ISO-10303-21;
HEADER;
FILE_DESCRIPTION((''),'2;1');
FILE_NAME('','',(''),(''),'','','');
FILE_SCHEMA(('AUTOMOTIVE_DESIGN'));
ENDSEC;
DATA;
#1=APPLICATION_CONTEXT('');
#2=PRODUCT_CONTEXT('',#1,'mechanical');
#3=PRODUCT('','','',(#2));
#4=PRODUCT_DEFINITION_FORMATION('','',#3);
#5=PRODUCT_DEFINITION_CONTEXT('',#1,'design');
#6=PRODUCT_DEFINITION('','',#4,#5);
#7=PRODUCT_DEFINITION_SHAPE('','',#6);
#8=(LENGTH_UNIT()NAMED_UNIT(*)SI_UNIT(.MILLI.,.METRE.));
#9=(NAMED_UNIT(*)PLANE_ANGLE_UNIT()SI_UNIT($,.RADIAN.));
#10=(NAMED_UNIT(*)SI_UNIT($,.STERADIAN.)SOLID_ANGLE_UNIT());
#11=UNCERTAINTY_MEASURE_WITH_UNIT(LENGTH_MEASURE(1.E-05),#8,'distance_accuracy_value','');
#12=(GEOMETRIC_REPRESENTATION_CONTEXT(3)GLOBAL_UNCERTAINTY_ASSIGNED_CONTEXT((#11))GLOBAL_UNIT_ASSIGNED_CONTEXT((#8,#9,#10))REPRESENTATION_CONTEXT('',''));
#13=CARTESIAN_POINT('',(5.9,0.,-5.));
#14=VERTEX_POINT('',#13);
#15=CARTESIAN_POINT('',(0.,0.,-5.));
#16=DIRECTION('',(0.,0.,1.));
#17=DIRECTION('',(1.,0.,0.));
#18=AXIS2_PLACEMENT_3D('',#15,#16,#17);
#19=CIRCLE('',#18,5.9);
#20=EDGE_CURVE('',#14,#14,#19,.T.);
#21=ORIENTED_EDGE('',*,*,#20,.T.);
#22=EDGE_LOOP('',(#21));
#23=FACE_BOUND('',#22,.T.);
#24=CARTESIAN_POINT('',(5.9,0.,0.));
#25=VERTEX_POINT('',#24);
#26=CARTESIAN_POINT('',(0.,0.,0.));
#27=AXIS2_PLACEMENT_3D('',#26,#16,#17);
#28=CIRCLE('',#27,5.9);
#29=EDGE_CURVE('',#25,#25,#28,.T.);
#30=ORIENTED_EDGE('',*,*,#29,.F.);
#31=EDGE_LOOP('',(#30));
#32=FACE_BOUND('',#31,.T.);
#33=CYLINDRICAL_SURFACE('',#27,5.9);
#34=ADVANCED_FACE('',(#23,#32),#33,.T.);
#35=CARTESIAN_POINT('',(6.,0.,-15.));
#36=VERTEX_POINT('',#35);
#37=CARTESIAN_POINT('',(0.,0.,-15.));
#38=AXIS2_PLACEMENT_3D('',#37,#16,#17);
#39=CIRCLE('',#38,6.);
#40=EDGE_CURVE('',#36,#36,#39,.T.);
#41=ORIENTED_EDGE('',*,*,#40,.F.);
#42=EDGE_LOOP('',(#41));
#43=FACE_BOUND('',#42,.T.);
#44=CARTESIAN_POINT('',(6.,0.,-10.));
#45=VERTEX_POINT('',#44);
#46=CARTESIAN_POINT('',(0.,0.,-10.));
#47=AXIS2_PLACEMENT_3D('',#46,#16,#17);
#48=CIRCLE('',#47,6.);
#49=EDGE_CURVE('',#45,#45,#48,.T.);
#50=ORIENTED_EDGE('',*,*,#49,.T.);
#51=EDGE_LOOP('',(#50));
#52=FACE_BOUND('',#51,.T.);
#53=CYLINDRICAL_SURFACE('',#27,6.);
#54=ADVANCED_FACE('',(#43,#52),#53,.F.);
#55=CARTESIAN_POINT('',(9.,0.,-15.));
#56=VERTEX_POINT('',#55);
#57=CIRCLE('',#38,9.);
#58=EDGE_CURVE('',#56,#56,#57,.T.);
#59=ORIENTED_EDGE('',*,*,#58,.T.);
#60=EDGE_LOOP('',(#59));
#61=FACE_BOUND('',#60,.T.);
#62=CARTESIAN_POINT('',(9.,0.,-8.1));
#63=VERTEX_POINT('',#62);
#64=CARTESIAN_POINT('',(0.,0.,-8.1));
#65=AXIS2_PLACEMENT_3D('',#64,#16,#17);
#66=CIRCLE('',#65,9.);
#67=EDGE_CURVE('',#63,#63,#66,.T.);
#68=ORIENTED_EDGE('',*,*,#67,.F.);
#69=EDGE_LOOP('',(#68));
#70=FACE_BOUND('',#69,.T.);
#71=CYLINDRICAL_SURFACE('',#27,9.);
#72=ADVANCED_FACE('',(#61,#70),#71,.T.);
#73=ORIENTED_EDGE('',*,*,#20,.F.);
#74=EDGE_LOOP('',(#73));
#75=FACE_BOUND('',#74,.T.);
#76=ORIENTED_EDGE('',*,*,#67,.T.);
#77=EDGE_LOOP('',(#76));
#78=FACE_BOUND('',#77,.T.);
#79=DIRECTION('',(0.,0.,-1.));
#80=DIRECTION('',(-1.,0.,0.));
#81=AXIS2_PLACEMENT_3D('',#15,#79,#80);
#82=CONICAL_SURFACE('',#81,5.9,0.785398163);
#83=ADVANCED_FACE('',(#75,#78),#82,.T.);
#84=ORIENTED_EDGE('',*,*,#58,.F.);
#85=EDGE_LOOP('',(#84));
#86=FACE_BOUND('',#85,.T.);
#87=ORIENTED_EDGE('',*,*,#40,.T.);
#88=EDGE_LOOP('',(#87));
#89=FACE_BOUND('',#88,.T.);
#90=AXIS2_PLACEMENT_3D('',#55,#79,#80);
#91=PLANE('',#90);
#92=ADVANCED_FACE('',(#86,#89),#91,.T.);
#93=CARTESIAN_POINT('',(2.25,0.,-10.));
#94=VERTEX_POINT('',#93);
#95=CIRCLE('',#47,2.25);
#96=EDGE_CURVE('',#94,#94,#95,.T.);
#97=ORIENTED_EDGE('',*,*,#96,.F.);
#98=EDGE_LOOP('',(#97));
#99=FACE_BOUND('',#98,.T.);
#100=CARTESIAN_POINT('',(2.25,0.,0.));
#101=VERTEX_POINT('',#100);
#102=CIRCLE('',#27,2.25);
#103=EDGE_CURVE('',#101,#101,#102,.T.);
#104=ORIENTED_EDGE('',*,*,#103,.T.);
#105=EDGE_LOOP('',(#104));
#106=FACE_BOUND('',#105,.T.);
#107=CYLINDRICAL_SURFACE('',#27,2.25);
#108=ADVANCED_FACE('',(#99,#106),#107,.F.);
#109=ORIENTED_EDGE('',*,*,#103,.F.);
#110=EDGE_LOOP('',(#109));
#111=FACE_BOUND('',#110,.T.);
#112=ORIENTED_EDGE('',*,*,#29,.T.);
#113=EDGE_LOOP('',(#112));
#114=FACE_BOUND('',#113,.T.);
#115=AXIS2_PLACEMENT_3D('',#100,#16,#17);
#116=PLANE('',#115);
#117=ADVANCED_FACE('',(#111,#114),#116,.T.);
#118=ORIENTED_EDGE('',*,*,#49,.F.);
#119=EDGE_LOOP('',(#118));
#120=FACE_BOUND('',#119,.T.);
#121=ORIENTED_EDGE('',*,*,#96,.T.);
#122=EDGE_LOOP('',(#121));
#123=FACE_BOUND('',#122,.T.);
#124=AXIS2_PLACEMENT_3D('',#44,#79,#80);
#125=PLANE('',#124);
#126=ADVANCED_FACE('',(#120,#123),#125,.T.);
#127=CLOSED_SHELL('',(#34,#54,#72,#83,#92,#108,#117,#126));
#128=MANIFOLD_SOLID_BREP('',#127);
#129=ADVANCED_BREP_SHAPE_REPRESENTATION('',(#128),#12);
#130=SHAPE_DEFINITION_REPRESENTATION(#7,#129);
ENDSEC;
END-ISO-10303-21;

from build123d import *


with BuildPart() as part:
    # Sketch1 → Revolve1 (revolve)
    with BuildSketch(Plane(origin=(0, 0, 0), x_dir=(1, 0, 0), z_dir=(0, 1, 0))):
        Polygon((2.25, 0), (5.9, 0), (5.9, 5), (9, 8.1), (9, 15), (6, 15), (6, 10), (2.25, 10), align=None)
    revolve(axis=Axis((0, 0, 0), (0, 0, -1)))


solid = part.part
